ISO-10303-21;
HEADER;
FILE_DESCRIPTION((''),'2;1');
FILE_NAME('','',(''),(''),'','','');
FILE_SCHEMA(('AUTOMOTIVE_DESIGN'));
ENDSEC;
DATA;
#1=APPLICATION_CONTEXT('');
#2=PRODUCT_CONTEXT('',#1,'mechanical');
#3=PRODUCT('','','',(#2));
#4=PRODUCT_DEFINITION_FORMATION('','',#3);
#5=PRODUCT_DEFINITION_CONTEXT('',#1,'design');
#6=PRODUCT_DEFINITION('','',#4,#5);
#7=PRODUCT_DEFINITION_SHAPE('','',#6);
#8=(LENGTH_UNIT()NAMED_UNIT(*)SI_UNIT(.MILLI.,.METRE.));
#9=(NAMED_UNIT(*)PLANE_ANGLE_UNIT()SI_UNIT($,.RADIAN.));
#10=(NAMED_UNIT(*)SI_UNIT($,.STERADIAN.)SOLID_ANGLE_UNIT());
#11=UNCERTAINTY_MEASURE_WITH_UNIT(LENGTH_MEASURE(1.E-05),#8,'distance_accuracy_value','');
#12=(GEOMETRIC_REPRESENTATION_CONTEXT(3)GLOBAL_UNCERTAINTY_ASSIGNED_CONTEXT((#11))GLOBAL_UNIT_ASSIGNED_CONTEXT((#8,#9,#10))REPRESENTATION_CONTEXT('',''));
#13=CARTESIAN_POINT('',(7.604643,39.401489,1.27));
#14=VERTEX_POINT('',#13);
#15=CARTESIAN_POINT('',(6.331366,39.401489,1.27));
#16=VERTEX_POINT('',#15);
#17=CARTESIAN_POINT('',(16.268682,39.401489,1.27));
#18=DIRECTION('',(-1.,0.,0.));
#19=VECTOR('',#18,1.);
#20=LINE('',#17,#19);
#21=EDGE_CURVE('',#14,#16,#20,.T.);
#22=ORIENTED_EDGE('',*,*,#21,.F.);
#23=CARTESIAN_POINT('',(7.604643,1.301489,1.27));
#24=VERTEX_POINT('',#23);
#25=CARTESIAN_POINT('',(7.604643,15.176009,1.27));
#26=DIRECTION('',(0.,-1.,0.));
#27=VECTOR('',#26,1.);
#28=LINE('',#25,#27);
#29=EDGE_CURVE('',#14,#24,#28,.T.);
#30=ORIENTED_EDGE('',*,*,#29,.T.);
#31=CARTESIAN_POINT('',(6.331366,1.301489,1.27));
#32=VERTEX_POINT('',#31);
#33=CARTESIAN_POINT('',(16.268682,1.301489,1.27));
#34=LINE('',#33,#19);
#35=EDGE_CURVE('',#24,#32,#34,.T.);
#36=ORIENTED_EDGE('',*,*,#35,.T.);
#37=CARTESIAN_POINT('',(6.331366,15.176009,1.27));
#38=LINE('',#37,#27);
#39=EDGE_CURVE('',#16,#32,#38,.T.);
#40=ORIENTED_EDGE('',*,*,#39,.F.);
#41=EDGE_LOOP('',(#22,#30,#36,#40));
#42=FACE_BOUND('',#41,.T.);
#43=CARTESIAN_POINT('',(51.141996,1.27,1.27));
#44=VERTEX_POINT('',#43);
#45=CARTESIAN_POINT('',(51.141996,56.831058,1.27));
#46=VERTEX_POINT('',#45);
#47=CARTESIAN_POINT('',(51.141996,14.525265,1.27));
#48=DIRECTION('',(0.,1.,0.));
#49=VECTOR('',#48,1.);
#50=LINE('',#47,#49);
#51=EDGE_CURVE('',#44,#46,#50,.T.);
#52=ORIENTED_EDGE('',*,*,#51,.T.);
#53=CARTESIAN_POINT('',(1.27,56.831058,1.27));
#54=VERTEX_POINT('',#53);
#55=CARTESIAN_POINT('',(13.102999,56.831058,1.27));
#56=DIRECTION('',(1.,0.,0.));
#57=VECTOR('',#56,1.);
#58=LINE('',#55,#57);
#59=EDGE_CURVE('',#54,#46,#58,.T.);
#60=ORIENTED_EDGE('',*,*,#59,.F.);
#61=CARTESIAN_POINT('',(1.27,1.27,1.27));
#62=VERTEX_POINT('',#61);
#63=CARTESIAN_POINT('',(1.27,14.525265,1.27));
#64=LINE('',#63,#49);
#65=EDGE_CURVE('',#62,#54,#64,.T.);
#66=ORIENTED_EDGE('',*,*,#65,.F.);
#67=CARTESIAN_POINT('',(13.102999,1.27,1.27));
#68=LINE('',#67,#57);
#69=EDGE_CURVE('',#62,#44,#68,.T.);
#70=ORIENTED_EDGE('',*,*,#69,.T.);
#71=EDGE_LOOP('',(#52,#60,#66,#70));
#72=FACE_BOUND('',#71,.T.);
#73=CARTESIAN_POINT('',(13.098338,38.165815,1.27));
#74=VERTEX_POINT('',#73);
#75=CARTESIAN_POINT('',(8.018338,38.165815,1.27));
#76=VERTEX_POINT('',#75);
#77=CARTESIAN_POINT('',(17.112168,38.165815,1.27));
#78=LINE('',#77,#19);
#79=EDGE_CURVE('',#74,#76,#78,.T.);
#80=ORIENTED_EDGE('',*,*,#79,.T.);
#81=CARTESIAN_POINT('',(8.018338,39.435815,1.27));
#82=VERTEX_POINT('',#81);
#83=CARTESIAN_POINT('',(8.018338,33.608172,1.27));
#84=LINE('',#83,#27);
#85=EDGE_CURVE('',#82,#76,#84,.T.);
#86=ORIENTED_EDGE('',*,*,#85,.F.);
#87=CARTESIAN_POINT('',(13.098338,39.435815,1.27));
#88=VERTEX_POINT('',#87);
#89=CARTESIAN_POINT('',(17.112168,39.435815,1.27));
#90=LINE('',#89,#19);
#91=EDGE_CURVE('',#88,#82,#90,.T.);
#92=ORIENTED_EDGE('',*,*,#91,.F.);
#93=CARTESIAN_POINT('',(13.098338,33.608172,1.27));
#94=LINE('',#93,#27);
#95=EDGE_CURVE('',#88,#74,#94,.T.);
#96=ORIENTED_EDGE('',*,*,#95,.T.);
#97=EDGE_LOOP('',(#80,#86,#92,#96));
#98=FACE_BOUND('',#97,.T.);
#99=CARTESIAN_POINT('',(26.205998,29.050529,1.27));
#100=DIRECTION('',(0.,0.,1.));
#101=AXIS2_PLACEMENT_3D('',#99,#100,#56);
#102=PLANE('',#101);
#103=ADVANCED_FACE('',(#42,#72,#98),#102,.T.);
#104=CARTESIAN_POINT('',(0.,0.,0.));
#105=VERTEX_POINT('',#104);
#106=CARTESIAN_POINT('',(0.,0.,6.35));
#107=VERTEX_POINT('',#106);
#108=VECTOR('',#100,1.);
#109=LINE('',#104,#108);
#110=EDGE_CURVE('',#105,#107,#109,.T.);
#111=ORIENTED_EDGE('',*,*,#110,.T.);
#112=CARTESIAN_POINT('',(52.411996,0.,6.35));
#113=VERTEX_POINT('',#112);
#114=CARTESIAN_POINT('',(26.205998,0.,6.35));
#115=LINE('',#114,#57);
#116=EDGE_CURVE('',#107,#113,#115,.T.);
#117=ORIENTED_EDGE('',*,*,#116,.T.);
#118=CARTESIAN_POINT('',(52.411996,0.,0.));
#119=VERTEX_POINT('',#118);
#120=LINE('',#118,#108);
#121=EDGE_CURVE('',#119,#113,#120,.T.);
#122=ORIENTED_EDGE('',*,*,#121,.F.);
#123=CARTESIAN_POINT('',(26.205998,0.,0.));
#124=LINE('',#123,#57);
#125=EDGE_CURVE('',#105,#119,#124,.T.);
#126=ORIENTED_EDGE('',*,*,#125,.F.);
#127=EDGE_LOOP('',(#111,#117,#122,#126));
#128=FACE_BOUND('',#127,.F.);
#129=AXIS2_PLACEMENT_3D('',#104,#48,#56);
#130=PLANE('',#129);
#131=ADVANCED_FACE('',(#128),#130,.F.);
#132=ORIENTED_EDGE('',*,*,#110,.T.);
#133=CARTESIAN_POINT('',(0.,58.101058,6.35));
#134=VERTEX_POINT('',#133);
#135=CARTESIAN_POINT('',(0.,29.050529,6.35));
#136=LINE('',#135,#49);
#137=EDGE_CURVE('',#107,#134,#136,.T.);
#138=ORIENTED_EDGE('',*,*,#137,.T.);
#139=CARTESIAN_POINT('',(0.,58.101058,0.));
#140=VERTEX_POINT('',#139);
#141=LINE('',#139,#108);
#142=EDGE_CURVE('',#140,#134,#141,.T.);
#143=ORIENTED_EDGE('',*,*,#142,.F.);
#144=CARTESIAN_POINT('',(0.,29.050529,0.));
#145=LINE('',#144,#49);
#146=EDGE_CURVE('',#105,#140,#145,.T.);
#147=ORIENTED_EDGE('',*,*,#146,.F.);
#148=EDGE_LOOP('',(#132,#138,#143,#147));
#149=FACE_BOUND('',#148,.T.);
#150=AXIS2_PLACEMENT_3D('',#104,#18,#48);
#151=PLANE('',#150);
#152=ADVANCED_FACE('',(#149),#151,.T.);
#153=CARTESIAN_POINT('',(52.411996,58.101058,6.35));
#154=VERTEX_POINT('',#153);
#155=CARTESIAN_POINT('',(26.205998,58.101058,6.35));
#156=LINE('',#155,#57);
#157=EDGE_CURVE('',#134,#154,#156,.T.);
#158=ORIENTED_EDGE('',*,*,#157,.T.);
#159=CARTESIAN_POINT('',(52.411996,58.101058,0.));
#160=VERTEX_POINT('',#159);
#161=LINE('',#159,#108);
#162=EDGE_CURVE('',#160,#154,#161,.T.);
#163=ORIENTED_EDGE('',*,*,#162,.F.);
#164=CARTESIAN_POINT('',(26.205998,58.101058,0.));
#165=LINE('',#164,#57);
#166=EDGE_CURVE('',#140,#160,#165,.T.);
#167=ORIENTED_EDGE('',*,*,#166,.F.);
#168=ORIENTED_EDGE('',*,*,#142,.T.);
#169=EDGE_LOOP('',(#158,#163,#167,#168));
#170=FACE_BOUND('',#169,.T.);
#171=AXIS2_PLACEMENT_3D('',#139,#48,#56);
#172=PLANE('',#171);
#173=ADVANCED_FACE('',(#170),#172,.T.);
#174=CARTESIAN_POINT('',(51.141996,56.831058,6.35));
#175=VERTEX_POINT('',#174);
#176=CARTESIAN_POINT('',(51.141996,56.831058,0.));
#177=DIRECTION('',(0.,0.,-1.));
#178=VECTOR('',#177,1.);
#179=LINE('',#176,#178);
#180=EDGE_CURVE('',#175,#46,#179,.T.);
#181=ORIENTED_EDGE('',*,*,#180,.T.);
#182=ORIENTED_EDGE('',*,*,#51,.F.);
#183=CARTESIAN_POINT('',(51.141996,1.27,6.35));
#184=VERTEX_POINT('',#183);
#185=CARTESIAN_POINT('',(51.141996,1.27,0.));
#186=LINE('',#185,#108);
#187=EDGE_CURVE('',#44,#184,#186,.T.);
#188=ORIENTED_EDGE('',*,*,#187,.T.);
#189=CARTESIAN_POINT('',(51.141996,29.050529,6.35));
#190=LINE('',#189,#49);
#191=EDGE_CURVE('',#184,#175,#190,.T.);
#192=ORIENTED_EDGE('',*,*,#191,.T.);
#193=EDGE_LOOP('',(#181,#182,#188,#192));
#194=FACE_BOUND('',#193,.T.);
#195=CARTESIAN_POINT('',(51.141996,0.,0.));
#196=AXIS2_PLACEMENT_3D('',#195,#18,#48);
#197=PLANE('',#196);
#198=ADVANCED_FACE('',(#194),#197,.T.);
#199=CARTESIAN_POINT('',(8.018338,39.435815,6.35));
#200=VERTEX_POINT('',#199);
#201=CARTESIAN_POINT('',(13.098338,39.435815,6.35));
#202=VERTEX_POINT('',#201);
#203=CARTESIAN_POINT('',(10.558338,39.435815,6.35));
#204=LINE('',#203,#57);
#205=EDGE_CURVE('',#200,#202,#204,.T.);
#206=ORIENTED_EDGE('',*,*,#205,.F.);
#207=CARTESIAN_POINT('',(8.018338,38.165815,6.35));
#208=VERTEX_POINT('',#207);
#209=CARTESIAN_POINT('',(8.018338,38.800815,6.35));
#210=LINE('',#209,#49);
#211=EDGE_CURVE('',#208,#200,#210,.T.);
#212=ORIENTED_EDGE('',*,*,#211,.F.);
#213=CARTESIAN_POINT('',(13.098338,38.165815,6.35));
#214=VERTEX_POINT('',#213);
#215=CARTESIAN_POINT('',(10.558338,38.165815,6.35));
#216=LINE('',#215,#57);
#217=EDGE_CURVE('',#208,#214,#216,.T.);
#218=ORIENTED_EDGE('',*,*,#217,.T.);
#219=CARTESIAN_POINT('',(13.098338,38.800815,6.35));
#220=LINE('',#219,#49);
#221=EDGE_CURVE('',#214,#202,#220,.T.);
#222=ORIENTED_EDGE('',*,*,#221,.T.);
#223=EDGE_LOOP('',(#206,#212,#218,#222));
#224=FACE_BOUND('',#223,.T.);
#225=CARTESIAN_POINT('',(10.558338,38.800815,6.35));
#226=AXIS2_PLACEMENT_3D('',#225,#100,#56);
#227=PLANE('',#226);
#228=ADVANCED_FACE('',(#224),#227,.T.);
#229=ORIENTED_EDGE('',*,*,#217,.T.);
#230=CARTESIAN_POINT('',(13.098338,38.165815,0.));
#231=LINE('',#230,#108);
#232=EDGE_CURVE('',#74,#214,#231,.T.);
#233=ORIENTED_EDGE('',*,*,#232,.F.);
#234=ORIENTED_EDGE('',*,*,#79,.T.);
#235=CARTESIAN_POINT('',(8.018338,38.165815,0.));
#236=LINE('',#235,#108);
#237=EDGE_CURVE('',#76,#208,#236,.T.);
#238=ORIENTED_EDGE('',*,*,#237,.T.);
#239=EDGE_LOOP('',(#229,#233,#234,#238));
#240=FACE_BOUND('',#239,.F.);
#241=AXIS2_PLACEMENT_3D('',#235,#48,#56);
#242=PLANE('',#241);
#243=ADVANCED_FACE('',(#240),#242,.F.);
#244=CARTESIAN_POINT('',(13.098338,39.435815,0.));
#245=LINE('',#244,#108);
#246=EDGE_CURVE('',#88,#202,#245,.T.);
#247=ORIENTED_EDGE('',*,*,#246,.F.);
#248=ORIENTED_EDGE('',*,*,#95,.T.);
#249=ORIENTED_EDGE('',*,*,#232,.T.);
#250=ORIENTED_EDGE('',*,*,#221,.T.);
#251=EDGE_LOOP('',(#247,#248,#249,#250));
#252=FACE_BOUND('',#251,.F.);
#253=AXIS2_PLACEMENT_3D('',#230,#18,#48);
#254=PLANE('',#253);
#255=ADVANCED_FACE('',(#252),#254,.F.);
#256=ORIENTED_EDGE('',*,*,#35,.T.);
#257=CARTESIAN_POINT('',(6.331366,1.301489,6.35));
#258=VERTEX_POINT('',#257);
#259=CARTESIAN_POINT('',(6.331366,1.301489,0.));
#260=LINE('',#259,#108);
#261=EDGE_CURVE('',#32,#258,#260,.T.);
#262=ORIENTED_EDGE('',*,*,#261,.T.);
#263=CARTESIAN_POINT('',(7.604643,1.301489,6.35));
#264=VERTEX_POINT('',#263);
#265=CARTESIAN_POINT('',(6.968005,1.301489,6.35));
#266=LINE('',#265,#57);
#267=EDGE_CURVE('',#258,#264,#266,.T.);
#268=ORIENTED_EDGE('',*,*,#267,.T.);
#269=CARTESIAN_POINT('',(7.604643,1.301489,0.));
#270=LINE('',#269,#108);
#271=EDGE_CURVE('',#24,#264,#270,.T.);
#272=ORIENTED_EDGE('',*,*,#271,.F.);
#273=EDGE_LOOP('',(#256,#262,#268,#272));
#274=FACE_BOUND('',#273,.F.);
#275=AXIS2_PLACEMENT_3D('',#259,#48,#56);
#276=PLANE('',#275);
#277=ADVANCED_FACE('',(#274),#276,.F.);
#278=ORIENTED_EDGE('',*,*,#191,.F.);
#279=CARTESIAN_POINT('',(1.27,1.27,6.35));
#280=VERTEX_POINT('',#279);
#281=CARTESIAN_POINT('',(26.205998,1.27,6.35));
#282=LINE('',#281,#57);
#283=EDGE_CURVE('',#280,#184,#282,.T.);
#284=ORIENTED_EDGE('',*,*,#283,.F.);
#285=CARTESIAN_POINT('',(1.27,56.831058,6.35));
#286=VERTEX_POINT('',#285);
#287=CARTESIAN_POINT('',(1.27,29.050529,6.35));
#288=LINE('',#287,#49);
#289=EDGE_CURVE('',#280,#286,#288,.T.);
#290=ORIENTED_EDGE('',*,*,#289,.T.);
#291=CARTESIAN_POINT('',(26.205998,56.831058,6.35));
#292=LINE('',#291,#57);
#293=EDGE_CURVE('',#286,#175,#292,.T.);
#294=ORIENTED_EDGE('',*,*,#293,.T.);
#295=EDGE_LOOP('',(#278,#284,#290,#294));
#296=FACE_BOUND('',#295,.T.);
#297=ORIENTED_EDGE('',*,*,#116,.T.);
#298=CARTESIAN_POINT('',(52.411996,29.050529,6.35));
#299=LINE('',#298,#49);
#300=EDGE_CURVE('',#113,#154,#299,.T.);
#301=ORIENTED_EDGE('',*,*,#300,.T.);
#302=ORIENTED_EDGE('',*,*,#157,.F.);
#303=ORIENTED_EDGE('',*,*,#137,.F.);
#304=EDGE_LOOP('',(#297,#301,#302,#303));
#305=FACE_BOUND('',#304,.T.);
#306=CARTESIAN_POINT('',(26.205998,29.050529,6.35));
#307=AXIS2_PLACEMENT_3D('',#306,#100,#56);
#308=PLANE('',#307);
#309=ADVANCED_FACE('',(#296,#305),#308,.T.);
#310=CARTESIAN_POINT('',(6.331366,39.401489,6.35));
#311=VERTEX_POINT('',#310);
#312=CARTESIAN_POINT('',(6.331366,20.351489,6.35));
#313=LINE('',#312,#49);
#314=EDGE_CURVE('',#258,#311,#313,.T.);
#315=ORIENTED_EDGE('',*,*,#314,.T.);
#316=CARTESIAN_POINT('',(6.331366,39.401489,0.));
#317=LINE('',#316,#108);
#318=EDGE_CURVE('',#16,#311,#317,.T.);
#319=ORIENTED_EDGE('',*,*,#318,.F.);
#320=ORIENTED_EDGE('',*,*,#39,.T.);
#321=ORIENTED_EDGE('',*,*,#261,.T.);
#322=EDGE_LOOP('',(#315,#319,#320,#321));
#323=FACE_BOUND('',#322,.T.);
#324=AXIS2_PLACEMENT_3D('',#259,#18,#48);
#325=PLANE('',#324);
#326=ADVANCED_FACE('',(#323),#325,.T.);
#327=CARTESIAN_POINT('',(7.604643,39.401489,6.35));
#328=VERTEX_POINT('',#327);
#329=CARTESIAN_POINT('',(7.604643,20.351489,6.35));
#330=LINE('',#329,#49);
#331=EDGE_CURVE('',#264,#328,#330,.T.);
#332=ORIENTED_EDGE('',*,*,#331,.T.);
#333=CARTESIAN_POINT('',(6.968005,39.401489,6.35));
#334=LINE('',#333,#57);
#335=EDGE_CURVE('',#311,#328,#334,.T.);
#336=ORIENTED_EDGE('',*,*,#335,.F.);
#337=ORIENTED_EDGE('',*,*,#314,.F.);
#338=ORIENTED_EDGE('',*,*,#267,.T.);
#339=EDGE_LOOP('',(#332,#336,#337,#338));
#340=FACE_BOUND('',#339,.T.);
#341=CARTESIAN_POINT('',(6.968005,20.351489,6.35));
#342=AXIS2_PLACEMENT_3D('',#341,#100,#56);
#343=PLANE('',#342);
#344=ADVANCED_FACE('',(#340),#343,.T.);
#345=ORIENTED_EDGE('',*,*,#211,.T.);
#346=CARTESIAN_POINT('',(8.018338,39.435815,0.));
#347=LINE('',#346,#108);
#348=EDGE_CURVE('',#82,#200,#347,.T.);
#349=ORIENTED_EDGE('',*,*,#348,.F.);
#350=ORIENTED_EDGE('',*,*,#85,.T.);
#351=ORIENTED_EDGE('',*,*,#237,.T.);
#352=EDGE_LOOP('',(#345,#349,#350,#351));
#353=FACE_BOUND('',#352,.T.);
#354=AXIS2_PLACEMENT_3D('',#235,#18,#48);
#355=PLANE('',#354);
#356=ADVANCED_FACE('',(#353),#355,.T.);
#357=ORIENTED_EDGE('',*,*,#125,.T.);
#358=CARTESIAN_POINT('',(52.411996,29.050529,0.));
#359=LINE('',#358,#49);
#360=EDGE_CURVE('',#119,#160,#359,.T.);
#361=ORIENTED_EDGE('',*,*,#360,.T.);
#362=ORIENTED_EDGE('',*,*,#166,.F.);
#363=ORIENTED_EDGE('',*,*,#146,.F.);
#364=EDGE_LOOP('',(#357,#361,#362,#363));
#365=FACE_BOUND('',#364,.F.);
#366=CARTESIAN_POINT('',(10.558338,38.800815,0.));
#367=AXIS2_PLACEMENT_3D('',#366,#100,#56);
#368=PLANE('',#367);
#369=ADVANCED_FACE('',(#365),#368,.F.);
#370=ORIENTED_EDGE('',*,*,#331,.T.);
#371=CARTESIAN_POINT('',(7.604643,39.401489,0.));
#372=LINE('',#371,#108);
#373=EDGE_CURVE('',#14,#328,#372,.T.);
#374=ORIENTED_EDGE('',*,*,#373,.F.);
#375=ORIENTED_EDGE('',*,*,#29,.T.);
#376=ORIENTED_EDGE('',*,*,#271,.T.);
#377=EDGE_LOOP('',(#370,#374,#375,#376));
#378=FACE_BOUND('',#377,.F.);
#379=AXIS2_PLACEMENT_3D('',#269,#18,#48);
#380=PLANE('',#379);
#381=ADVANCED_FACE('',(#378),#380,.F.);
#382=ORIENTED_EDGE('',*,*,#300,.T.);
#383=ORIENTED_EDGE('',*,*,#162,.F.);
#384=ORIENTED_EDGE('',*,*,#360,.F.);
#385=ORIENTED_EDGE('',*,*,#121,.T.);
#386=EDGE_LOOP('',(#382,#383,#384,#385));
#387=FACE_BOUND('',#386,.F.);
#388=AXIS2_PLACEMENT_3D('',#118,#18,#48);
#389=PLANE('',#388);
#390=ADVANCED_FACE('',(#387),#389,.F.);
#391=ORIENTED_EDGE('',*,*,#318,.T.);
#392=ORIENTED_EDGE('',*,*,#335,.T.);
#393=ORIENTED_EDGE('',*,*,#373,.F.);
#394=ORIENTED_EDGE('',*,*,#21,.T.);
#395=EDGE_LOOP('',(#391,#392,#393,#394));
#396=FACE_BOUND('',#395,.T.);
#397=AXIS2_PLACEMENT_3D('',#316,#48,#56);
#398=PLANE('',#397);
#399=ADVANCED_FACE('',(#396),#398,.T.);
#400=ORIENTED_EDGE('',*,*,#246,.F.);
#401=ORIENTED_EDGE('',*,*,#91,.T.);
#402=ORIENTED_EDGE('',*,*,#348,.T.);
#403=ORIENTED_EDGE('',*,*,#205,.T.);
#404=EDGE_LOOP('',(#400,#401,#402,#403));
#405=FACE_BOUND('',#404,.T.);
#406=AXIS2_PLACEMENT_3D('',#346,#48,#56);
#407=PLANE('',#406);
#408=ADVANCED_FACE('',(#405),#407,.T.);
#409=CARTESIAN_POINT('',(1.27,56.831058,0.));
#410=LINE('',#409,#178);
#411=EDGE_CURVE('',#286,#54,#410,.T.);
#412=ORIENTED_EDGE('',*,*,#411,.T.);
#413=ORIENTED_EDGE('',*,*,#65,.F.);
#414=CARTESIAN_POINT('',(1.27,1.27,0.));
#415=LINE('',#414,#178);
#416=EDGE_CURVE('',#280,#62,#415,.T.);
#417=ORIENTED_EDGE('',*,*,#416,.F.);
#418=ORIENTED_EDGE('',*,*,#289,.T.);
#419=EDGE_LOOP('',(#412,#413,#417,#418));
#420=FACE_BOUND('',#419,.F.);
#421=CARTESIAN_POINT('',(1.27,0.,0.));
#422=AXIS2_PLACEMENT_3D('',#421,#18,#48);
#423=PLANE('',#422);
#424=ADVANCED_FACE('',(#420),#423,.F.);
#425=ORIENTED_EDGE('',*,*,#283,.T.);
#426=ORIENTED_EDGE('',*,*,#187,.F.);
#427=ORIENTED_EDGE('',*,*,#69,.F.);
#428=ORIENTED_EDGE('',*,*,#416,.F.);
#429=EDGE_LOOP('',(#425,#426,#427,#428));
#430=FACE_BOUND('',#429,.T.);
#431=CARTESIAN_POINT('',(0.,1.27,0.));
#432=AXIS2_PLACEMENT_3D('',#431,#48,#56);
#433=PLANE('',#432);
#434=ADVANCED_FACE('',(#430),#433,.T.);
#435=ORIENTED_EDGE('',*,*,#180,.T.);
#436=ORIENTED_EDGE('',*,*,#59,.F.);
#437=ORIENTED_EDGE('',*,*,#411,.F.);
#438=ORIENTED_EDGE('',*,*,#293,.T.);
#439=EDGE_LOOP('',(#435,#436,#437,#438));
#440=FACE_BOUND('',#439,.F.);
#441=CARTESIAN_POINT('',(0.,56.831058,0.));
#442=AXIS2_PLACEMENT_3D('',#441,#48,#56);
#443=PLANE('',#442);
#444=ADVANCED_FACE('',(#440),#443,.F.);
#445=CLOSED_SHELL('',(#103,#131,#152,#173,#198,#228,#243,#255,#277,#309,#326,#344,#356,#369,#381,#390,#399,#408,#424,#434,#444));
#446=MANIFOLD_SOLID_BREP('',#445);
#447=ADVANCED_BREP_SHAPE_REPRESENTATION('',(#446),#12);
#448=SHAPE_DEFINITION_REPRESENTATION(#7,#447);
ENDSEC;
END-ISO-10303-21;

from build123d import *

# Parameters (mm, degrees)
F0_W     = 52.411996
F0_H     = 58.101058
F1_DEPTH = 6.35
F2_T     = -1.27
F3_W     = 1.273277
F3_H     = 38.1
F4_DEPTH = 6.35
F5_W     = 5.08
F5_H     = 1.27
F6_DEPTH = 6.35


with BuildPart() as f1:
    # F0 (on Top) → F1 (new body)
    with BuildSketch(Plane.XY):
        with Locations((26.205998, 29.050529)):
            Rectangle(F0_W, F0_H)
    extrude(amount=F1_DEPTH)

    # F2
    f2_openings = [f1.faces().sort_by_distance(p)[0] for p in [
        (26.205998, 29.050529, 6.35),
    ]]
    offset(amount=F2_T, openings=f2_openings)

    # F3 (on Top) → F4 (join)
    with BuildSketch(Plane.XY):
        with Locations((6.968005, 20.351489)):
            Rectangle(F3_W, F3_H)
    extrude(amount=F4_DEPTH)

    # F5 (on Top) → F6 (join)
    with BuildSketch(Plane.XY):
        with Locations((10.558338, 38.800815)):
            Rectangle(F5_W, F5_H)
    extrude(amount=F6_DEPTH)


solid = f1.part
